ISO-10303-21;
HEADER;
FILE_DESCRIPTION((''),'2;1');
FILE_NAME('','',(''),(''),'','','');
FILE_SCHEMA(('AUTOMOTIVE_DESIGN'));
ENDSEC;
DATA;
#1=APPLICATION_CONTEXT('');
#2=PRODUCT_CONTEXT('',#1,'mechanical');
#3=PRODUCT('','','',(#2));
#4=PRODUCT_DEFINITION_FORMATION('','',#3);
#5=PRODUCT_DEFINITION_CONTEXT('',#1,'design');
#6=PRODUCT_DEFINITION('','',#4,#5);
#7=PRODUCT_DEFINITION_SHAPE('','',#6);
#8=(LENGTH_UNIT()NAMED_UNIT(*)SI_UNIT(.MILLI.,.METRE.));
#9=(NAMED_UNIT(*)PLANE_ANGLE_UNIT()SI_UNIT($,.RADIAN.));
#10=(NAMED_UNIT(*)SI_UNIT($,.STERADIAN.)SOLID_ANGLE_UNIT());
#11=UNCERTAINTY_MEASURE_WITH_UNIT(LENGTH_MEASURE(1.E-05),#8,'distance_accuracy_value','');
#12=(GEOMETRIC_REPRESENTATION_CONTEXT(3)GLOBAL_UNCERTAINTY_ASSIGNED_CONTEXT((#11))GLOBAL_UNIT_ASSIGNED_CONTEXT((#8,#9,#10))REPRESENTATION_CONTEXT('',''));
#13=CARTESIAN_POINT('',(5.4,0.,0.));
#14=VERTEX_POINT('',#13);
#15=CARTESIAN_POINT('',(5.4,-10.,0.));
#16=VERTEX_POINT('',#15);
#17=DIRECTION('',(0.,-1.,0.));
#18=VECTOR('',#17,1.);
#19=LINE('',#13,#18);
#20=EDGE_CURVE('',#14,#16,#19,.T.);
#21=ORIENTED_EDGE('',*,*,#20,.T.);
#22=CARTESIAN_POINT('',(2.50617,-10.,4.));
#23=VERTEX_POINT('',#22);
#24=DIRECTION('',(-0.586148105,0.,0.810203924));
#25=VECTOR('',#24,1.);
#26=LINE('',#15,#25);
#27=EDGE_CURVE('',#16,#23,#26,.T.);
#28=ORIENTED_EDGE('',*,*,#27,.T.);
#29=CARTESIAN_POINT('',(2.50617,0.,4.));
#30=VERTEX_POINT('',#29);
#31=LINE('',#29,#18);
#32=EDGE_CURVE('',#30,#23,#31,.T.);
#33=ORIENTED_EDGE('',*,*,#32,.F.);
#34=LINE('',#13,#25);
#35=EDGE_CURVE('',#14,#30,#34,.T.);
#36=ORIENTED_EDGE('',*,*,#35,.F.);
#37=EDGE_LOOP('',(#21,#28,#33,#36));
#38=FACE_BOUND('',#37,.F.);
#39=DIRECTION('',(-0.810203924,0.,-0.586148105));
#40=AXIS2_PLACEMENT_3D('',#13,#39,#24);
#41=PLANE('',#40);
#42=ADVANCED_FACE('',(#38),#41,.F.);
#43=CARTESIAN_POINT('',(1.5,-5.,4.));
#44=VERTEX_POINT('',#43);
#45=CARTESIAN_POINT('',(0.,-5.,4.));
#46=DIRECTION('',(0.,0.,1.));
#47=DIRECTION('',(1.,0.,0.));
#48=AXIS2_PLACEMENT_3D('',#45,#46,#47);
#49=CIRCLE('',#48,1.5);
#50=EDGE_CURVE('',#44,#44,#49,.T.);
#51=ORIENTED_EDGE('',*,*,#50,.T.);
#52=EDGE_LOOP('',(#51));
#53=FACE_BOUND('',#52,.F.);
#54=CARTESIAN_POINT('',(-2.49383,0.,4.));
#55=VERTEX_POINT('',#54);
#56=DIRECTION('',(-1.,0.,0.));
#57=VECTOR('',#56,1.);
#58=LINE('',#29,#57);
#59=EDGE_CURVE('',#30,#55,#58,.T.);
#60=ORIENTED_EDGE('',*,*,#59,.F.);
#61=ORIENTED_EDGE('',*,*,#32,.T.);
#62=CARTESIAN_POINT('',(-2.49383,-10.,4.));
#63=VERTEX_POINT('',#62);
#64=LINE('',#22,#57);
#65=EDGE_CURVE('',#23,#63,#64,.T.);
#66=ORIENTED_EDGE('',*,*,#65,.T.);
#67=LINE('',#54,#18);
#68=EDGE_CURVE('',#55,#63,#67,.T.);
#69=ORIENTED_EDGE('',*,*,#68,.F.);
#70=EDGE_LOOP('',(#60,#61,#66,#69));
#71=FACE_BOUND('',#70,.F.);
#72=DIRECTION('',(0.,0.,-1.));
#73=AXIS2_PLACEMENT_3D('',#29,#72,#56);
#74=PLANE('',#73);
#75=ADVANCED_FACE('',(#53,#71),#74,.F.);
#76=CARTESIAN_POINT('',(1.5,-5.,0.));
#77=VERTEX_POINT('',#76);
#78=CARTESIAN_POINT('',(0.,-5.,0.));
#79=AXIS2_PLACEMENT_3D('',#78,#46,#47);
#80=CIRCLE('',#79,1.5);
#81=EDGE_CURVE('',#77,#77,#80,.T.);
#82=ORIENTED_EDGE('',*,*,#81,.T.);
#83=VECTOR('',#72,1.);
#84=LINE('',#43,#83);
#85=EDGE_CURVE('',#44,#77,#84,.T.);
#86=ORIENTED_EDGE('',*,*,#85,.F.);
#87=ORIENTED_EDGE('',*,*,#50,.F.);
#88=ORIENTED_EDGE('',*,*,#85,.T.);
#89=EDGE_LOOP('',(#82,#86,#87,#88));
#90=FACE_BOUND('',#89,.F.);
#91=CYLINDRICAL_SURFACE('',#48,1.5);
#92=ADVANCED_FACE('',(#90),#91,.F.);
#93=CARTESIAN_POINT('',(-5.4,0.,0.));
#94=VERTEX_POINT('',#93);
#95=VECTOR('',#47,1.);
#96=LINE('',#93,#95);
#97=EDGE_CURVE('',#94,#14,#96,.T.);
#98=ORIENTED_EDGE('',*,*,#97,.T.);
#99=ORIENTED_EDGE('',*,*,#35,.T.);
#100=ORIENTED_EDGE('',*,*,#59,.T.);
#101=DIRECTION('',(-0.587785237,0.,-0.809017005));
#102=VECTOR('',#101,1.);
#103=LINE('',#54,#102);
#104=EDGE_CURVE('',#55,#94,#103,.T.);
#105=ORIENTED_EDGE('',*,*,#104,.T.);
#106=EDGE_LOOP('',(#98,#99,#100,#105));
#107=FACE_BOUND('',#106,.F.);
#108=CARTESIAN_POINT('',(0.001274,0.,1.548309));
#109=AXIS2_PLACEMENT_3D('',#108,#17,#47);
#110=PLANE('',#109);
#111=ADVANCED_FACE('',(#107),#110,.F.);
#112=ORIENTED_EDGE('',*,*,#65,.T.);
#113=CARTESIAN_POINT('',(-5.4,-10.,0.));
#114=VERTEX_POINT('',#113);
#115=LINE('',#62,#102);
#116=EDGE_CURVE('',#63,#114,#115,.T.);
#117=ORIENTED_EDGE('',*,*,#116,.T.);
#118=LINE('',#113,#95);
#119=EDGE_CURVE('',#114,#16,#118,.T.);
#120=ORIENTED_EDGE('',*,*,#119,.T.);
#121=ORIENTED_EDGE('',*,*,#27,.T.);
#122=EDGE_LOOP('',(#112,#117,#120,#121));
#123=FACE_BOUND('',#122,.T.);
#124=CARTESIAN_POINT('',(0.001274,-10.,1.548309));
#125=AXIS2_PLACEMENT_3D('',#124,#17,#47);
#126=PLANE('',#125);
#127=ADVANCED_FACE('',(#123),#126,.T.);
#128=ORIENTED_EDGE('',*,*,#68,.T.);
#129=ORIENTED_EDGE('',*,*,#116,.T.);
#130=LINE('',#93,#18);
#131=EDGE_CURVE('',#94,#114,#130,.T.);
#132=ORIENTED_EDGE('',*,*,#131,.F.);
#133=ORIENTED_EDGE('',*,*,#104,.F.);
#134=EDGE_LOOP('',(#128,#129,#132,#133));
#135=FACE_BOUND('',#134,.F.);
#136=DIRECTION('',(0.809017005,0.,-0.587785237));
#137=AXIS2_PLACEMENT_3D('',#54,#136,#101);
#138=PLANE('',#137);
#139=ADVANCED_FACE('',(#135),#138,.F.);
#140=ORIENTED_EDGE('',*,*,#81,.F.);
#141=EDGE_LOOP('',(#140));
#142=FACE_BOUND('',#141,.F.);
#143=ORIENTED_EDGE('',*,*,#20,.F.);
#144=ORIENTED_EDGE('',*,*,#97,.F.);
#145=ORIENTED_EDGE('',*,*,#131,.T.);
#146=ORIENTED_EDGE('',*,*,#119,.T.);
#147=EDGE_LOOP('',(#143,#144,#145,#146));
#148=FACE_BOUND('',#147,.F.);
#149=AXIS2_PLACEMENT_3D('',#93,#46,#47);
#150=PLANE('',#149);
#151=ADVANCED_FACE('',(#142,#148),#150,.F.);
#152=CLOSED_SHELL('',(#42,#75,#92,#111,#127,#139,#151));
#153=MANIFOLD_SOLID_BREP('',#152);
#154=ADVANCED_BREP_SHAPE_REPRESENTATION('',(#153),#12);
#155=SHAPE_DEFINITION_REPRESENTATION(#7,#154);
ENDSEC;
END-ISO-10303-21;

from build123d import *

# Parameters (mm, degrees)
F1_DEPTH = 10
F2_R     = 1.5
F3_DEPTH = 5


with BuildPart() as f1:
    # F0 (on Front) → F1 (new body)
    with BuildSketch(Plane.XZ):
        Polygon((-2.49383, 4), (-5.4, 0), (5.4, 0), (2.50617, 4), align=None)
    extrude(amount=F1_DEPTH)

    # F2 (on face) → F3 (cut)
    with BuildSketch(Plane.XY.offset(4)):
        with Locations((0, -5)):
            Circle(F2_R)
    extrude(amount=-F3_DEPTH, mode=Mode.SUBTRACT)


solid = f1.part
